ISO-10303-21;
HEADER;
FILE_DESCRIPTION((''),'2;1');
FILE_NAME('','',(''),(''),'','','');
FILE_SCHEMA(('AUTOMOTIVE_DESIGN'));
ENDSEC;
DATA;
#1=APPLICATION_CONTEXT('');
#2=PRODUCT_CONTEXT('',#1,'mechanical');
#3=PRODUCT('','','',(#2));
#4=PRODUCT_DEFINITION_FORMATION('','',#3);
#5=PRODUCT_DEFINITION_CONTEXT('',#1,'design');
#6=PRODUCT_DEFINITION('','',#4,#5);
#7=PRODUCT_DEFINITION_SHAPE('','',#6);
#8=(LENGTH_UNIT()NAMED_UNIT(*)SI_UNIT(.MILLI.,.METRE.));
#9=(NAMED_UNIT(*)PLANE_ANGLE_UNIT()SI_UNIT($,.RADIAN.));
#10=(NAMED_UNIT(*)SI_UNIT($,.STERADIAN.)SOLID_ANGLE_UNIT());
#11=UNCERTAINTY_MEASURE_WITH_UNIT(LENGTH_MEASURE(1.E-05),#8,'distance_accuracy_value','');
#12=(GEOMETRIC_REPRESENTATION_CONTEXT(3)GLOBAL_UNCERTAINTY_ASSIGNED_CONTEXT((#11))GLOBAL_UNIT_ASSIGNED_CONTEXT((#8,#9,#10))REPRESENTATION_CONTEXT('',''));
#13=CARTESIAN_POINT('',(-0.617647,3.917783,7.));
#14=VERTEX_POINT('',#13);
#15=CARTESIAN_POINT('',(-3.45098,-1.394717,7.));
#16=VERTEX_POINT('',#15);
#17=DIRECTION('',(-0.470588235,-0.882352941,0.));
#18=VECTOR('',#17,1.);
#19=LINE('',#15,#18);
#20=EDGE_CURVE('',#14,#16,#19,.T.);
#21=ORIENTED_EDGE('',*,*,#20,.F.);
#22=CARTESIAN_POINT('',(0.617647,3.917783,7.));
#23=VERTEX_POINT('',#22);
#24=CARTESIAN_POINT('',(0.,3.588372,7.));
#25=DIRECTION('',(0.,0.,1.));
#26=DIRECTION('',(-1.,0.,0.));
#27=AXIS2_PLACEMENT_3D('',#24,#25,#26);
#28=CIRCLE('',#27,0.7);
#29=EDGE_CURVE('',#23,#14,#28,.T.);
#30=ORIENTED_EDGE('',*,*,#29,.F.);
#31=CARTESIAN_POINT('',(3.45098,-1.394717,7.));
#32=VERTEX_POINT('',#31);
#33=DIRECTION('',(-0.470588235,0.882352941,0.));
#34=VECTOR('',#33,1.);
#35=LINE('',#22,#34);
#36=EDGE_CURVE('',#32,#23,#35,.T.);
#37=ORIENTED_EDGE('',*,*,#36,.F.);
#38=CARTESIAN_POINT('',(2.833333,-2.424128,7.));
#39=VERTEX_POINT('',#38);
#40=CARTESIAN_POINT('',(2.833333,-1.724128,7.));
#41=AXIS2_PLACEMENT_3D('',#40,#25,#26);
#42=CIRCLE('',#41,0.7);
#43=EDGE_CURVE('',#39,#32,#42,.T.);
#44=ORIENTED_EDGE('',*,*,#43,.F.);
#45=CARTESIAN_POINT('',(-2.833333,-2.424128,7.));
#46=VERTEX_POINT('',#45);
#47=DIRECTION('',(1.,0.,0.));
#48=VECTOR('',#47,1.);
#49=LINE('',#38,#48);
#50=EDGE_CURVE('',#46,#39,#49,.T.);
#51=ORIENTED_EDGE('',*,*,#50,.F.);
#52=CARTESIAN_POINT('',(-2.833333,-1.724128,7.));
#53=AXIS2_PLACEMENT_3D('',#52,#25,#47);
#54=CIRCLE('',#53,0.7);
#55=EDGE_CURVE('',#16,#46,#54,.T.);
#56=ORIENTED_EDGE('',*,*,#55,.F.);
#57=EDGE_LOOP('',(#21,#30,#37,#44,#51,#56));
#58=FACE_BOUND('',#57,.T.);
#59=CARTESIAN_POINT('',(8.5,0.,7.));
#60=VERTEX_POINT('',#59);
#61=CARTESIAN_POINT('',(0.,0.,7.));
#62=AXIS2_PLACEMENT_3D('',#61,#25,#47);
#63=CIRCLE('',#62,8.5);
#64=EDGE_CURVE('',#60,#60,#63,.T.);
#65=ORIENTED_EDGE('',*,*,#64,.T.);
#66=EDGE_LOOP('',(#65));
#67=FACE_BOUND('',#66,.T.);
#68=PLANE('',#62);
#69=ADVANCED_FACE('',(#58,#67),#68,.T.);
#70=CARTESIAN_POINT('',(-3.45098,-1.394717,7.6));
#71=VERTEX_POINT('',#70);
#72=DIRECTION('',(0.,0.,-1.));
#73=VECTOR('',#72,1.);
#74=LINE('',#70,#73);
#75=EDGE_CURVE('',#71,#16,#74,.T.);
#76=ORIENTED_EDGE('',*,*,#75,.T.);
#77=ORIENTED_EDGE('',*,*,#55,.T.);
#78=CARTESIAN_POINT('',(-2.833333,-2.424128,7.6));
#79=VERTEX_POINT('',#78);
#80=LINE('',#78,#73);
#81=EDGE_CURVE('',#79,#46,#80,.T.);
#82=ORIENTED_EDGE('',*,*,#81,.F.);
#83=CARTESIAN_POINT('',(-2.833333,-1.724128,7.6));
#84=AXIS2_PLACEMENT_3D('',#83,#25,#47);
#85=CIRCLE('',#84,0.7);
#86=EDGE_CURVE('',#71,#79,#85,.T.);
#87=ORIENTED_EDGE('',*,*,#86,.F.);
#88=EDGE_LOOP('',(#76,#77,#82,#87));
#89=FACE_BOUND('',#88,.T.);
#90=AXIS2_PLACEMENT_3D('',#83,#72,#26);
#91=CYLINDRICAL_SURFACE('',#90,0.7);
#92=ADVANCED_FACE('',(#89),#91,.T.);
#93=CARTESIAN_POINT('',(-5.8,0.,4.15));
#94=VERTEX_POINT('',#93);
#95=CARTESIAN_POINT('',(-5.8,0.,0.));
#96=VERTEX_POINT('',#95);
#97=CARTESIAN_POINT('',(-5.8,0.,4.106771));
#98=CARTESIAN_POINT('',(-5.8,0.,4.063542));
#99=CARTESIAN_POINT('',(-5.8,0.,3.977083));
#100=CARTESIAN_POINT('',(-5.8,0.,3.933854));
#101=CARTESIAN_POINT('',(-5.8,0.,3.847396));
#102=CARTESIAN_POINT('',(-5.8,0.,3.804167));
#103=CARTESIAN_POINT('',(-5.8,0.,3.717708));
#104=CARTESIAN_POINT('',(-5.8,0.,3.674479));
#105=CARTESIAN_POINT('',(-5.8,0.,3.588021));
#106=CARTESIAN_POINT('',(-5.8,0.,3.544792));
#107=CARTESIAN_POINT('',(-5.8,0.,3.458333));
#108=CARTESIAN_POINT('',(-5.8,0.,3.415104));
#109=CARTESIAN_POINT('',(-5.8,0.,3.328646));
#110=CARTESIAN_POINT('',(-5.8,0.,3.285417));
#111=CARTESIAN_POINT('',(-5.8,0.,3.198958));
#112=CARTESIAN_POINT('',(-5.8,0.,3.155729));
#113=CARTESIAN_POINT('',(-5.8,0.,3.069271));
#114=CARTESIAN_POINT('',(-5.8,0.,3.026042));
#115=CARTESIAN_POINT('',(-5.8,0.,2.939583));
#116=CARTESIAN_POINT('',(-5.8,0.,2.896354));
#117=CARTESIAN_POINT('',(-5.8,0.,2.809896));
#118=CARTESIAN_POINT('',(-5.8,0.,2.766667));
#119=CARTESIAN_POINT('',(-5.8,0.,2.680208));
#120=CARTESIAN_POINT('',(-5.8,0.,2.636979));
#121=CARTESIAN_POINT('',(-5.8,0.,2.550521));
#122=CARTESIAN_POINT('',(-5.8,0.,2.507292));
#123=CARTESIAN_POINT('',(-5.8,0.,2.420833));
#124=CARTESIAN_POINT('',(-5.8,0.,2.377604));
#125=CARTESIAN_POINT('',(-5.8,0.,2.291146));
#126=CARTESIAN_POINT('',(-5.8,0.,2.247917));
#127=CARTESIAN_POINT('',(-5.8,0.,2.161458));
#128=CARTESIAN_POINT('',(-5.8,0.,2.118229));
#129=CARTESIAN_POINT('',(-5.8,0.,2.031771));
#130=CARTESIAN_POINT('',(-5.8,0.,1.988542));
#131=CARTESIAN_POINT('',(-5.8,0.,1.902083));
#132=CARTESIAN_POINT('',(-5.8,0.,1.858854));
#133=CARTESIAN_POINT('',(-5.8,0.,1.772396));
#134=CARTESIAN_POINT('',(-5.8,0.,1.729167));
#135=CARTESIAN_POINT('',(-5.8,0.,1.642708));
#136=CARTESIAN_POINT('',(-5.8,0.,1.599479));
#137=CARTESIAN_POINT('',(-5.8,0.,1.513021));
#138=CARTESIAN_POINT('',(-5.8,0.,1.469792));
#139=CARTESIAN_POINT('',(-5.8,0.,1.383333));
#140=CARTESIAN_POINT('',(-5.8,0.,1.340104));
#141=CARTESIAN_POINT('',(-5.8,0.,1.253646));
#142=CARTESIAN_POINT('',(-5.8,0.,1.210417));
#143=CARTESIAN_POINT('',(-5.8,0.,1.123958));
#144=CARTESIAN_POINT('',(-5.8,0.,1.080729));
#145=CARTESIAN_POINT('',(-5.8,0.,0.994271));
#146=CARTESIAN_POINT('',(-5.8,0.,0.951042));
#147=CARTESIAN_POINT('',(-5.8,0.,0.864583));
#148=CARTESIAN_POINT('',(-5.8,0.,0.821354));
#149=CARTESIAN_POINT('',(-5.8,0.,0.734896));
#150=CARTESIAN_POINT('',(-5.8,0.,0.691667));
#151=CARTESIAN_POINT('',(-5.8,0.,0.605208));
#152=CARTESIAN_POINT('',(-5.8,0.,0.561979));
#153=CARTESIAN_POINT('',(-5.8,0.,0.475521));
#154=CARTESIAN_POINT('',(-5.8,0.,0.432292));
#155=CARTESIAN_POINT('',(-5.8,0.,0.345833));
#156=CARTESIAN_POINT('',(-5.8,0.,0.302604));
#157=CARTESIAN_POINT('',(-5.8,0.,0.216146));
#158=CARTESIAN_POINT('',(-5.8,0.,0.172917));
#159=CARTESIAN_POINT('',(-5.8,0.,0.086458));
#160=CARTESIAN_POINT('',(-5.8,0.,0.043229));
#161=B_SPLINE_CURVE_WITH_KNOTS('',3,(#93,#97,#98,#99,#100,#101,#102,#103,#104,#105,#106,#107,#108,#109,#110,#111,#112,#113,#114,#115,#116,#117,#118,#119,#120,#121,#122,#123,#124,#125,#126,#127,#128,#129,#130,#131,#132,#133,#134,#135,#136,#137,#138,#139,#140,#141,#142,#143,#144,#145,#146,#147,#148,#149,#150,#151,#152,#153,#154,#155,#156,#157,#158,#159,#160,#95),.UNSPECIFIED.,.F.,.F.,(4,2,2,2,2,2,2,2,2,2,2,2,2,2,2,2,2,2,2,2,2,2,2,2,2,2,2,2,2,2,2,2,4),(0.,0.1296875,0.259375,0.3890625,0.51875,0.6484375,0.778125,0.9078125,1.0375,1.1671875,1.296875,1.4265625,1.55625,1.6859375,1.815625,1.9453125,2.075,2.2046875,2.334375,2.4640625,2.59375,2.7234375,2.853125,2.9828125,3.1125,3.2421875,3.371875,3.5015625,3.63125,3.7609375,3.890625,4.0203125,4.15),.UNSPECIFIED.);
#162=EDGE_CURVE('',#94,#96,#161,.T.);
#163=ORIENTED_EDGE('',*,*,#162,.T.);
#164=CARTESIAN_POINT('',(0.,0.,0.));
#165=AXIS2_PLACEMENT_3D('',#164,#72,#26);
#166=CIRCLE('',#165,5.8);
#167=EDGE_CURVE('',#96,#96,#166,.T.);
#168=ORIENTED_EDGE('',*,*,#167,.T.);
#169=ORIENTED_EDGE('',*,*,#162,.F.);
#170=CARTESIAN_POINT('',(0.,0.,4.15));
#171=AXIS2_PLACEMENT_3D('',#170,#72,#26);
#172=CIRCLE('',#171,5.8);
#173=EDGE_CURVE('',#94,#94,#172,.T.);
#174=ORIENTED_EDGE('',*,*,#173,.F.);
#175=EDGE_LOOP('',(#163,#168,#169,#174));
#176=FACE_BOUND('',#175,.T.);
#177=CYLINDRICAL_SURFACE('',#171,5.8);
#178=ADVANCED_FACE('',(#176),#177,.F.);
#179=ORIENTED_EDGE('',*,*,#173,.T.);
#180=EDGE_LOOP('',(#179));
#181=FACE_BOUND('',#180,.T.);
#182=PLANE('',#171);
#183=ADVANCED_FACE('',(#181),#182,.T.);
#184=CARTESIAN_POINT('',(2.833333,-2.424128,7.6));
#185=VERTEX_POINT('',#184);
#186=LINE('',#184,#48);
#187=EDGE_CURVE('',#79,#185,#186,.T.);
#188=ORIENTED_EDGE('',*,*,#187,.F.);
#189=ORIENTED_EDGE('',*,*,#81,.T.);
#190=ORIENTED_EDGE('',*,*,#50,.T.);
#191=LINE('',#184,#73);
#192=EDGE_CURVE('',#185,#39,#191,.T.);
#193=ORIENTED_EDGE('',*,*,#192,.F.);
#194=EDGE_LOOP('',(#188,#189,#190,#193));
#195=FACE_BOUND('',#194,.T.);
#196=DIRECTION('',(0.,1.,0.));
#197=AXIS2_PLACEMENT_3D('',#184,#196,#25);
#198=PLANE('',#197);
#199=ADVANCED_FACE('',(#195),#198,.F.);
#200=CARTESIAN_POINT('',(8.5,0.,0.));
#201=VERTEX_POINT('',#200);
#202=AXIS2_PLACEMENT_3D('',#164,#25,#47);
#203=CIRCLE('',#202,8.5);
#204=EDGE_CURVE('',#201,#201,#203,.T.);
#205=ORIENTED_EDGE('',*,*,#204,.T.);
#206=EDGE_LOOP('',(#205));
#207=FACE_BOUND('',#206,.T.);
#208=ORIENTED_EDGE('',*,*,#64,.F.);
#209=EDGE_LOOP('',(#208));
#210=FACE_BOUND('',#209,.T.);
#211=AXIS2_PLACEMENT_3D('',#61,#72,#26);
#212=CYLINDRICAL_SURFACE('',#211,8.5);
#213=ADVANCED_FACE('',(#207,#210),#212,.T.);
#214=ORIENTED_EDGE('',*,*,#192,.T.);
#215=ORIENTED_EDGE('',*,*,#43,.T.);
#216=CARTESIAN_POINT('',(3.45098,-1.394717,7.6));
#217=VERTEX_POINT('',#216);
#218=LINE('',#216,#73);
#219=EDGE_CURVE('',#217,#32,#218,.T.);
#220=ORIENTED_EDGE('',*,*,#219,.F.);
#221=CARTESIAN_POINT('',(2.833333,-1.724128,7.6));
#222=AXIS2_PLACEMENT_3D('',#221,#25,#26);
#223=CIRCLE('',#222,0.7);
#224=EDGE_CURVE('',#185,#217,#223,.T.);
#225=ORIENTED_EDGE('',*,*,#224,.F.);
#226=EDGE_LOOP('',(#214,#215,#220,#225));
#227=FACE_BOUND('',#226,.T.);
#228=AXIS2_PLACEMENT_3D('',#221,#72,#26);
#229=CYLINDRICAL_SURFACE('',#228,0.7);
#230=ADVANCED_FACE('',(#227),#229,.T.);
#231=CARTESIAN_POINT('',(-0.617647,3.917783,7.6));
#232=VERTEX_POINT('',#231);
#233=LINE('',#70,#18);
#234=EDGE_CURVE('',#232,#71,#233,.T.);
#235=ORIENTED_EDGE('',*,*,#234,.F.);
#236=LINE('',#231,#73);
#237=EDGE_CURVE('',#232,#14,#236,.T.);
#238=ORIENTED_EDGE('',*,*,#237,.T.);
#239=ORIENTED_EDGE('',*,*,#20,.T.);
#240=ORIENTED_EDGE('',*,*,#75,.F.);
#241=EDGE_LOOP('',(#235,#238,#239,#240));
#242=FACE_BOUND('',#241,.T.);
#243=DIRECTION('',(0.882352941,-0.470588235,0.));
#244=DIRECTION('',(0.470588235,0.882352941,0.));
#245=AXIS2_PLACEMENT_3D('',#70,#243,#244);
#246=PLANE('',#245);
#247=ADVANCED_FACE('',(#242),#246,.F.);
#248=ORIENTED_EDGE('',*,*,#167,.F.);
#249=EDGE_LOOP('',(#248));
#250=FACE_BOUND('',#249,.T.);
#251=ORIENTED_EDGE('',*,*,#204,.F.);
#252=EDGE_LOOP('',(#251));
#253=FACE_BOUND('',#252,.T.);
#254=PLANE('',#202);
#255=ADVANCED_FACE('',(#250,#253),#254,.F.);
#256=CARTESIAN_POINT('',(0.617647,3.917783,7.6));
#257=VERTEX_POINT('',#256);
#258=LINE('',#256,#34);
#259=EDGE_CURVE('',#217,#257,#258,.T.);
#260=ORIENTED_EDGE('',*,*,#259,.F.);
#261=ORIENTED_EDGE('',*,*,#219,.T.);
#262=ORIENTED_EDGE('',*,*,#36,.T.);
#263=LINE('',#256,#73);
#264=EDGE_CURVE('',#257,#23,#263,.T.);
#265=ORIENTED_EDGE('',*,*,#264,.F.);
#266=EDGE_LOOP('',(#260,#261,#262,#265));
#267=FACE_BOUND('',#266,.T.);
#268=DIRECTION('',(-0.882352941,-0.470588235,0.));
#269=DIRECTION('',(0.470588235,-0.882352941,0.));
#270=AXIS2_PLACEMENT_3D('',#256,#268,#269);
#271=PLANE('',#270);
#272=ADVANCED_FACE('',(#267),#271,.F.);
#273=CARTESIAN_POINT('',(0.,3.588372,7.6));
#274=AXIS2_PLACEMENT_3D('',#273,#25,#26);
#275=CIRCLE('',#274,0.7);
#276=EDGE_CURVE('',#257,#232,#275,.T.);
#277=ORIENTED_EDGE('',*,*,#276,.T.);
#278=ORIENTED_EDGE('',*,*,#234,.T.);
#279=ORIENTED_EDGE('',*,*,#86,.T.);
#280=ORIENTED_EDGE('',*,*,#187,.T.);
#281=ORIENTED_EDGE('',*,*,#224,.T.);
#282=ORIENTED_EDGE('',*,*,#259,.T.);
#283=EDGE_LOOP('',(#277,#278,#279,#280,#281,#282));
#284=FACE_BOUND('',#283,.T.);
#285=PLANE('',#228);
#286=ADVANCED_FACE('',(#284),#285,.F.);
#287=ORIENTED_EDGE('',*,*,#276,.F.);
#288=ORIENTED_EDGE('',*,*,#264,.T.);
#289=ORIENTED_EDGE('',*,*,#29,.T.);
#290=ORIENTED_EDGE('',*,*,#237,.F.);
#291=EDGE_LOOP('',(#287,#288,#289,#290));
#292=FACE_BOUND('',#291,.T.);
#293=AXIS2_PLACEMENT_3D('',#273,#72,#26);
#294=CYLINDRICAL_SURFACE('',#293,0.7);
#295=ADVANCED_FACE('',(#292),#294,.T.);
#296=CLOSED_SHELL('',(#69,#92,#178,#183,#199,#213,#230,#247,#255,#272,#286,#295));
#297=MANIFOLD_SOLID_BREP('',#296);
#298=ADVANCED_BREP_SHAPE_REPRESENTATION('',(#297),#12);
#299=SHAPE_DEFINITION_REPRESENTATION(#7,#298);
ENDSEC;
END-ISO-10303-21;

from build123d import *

# Parameters (mm, degrees)
SKETCH1_R           = 8.5
BOSS_EXTRUDE1_DEPTH = 7
BOSS_EXTRUDE2_DEPTH = 0.6
SKETCH3_R           = 5.8
CUT_EXTRUDE1_DEPTH  = 4.15


with BuildPart() as part:
    # Sketch1 → Boss-Extrude1 (new body)
    with BuildSketch(Plane.XY):
        Circle(SKETCH1_R)
    extrude(amount=BOSS_EXTRUDE1_DEPTH)

    # Sketch2 → Boss-Extrude2 (add)
    with BuildSketch(Plane.XY.offset(7)):
        with BuildLine():
            Line((-3.450980392, -1.394716626), (-0.617647059, 3.917783374))
            ThreePointArc((-0.617647059, 3.917783374), (0, 4.28837161), (0.617647059, 3.917783374))
            Line((0.617647059, 3.917783374), (3.450980392, -1.394716626))
            ThreePointArc((3.450980392, -1.394716626), (3.433578381, -2.084275419), (2.833333333, -2.42412839))
            Line((2.833333333, -2.42412839), (-2.833333333, -2.42412839))
            ThreePointArc((-2.833333333, -2.42412839), (-3.433578381, -2.084275419), (-3.450980392, -1.394716626))
        make_face()
    extrude(amount=BOSS_EXTRUDE2_DEPTH)

    # Sketch3 → Cut-Extrude1 (cut)
    with BuildSketch(Plane(origin=(0, 0, 0), x_dir=(-1, 0, 0), z_dir=(0, 0, -1))):
        Circle(SKETCH3_R)
    extrude(amount=-CUT_EXTRUDE1_DEPTH, mode=Mode.SUBTRACT)


solid = part.part
